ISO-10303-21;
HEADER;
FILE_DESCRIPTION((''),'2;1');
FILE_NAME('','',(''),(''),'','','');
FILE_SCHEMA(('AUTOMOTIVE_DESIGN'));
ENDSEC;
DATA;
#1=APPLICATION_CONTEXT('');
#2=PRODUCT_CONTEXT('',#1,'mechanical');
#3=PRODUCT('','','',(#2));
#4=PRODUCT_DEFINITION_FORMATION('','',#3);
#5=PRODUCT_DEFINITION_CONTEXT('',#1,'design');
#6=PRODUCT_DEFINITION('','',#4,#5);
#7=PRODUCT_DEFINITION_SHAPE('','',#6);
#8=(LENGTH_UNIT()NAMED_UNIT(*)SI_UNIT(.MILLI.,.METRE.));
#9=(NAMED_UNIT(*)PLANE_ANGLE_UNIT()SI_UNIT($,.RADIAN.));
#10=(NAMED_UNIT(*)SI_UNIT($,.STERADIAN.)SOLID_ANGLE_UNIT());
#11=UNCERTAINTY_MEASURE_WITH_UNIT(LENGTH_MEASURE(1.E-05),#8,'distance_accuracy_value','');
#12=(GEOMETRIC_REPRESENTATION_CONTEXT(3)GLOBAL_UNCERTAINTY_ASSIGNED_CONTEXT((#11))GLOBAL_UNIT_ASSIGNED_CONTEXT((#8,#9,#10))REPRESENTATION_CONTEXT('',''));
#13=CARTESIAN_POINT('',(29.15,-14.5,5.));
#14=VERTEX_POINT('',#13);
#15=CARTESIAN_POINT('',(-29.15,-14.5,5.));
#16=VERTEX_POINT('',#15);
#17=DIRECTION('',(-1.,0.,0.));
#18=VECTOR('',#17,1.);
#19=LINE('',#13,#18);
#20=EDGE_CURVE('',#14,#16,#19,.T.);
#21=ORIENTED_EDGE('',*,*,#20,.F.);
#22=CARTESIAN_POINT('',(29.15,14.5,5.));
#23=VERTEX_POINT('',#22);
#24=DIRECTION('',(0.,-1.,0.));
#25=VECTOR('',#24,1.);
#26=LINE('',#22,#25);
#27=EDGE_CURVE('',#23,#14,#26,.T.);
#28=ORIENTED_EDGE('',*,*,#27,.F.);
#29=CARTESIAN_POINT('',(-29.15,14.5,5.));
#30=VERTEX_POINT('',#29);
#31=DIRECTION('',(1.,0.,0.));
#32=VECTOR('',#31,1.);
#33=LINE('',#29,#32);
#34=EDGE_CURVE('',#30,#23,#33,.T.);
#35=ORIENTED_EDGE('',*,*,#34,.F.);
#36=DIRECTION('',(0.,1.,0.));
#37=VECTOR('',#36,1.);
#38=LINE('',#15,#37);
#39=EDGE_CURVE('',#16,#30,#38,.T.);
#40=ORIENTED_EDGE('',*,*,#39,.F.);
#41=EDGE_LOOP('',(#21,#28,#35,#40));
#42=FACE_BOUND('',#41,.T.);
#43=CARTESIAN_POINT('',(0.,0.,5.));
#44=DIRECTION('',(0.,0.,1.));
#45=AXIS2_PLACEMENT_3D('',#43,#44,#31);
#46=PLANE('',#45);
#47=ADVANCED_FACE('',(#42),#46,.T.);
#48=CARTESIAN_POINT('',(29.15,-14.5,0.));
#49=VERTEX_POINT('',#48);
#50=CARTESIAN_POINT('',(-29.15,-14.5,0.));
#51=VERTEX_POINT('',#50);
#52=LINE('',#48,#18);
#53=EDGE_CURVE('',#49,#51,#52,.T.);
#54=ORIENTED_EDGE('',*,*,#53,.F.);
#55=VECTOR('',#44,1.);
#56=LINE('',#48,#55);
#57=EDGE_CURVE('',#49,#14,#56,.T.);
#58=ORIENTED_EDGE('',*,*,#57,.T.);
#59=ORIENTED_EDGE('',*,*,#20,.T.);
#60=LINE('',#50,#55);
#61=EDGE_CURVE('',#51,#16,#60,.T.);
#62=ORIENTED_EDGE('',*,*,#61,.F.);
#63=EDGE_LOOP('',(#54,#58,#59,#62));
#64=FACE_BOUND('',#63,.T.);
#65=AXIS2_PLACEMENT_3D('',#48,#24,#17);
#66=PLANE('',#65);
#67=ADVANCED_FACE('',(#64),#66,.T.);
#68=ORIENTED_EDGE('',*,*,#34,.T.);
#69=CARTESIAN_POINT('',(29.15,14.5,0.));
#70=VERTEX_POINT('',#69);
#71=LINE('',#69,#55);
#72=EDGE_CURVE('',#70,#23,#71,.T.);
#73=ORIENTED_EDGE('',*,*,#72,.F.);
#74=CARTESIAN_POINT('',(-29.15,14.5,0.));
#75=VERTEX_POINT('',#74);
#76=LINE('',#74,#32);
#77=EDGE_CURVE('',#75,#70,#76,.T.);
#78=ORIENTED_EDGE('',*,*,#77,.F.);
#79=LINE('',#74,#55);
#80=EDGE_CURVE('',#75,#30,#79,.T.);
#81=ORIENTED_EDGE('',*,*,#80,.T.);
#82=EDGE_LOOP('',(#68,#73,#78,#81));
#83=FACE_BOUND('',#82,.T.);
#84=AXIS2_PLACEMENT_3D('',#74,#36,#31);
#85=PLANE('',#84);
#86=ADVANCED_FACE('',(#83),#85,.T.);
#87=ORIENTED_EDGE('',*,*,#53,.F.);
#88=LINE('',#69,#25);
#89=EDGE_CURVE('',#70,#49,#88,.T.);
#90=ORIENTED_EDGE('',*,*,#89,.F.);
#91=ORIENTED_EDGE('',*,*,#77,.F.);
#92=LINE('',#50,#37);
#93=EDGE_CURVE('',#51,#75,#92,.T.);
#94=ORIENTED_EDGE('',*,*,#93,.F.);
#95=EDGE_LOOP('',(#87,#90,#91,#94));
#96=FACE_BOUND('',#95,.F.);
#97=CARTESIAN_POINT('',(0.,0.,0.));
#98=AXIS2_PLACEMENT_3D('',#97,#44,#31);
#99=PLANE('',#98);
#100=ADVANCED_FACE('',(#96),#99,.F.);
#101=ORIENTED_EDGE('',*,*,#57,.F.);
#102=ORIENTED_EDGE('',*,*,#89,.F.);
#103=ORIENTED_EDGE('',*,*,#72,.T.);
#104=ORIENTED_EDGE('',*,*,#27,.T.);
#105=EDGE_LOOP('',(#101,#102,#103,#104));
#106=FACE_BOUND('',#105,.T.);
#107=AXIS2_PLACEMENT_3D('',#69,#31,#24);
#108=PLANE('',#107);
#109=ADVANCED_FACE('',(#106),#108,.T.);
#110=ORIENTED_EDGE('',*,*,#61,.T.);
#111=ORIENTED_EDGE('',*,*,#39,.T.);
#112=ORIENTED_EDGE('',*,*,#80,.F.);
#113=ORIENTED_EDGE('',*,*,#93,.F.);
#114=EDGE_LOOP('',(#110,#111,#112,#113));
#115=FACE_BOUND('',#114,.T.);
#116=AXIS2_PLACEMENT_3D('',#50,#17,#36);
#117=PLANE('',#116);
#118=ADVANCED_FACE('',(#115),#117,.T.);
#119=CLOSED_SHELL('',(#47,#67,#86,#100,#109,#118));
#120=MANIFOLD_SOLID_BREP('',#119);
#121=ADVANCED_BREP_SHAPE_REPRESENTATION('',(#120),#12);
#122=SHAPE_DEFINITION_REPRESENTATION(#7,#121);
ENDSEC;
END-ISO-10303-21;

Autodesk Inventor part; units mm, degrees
ref_plane "YZ Plane" through (0, 0, 0) normal (1, 0, 0) x (0, 1, 0)
ref_plane "XZ Plane" through (0, 0, 0) normal (0, 1, 0) x (-1, 0, 0)
ref_plane "XY Plane" through (0, 0, 0) normal (0, 0, 1) x (1, 0, 0)
sketch "スケッチ1" plane through (0, 0, 0) normal (0, 0, 1) x (1, 0, 0)
  line L0 (-29.15, 14.5) -> (29.15, 14.5)
  line L1 (29.15, 14.5) -> (29.15, -14.5)
  line L2 (29.15, -14.5) -> (-29.15, -14.5)
  line L3 (-29.15, -14.5) -> (-29.15, 14.5)
  line L4 (-24.15, 11.5) -> (24.15, 11.5) construction
  line L5 (24.15, 11.5) -> (24.15, -11.5) construction
  line L6 (24.15, -11.5) -> (-24.15, -11.5) construction
  line L7 (-24.15, -11.5) -> (-24.15, 11.5) construction
  line L8 (24.15, 11.5) -> (-24.15, -11.5) construction
  line L9 (-24.15, -9.8386) -> (-24.15, 11.5)
  line L10 (-24.15, 11.5) -> (20.6611, 11.5)
  line L11 (20.6611, 11.5) -> (-24.15, -9.8386)
  line L12 (-20.6611, -11.5) -> (24.15, -11.5)
  line L13 (24.15, -11.5) -> (24.15, 9.8386)
  line L14 (24.15, 9.8386) -> (-20.6611, -11.5)
  line L15 (-29.15, 12) -> (29.15, 12) construction
  line L16 (29.15, -12) -> (-29.15, -12) construction
  line L17 (29.15, 12) -> (29.15, -12) construction
  point P0 (0, 0)
  point P1 (0, 11.5)
  point P2 (0, 14.5)
  point P3 (24.15, 0)
  point P4 (29.15, 0)
  dimension "d0" = 5
  dimension "d1" = 3
  dimension "d2" = 1.5
  dimension "d3" = 24
  dimension "d4" = 2.5
  dimension "d16" = 58.3
extrude "押し出し1" add sketch "スケッチ1" along normal blind 5 contours L0 L1 L2 L3 | L9 L10 L11 | L14 L13 L12
fillet "フィレット1" [suppressed]
equation "\"d3\" = d5_1"
equation "\"d5_1\" = 24"
properties part number "リンク_ふくらはぎ_サブフレーム_1_2(予備案)" material "アルミニウム 2014-T4"
